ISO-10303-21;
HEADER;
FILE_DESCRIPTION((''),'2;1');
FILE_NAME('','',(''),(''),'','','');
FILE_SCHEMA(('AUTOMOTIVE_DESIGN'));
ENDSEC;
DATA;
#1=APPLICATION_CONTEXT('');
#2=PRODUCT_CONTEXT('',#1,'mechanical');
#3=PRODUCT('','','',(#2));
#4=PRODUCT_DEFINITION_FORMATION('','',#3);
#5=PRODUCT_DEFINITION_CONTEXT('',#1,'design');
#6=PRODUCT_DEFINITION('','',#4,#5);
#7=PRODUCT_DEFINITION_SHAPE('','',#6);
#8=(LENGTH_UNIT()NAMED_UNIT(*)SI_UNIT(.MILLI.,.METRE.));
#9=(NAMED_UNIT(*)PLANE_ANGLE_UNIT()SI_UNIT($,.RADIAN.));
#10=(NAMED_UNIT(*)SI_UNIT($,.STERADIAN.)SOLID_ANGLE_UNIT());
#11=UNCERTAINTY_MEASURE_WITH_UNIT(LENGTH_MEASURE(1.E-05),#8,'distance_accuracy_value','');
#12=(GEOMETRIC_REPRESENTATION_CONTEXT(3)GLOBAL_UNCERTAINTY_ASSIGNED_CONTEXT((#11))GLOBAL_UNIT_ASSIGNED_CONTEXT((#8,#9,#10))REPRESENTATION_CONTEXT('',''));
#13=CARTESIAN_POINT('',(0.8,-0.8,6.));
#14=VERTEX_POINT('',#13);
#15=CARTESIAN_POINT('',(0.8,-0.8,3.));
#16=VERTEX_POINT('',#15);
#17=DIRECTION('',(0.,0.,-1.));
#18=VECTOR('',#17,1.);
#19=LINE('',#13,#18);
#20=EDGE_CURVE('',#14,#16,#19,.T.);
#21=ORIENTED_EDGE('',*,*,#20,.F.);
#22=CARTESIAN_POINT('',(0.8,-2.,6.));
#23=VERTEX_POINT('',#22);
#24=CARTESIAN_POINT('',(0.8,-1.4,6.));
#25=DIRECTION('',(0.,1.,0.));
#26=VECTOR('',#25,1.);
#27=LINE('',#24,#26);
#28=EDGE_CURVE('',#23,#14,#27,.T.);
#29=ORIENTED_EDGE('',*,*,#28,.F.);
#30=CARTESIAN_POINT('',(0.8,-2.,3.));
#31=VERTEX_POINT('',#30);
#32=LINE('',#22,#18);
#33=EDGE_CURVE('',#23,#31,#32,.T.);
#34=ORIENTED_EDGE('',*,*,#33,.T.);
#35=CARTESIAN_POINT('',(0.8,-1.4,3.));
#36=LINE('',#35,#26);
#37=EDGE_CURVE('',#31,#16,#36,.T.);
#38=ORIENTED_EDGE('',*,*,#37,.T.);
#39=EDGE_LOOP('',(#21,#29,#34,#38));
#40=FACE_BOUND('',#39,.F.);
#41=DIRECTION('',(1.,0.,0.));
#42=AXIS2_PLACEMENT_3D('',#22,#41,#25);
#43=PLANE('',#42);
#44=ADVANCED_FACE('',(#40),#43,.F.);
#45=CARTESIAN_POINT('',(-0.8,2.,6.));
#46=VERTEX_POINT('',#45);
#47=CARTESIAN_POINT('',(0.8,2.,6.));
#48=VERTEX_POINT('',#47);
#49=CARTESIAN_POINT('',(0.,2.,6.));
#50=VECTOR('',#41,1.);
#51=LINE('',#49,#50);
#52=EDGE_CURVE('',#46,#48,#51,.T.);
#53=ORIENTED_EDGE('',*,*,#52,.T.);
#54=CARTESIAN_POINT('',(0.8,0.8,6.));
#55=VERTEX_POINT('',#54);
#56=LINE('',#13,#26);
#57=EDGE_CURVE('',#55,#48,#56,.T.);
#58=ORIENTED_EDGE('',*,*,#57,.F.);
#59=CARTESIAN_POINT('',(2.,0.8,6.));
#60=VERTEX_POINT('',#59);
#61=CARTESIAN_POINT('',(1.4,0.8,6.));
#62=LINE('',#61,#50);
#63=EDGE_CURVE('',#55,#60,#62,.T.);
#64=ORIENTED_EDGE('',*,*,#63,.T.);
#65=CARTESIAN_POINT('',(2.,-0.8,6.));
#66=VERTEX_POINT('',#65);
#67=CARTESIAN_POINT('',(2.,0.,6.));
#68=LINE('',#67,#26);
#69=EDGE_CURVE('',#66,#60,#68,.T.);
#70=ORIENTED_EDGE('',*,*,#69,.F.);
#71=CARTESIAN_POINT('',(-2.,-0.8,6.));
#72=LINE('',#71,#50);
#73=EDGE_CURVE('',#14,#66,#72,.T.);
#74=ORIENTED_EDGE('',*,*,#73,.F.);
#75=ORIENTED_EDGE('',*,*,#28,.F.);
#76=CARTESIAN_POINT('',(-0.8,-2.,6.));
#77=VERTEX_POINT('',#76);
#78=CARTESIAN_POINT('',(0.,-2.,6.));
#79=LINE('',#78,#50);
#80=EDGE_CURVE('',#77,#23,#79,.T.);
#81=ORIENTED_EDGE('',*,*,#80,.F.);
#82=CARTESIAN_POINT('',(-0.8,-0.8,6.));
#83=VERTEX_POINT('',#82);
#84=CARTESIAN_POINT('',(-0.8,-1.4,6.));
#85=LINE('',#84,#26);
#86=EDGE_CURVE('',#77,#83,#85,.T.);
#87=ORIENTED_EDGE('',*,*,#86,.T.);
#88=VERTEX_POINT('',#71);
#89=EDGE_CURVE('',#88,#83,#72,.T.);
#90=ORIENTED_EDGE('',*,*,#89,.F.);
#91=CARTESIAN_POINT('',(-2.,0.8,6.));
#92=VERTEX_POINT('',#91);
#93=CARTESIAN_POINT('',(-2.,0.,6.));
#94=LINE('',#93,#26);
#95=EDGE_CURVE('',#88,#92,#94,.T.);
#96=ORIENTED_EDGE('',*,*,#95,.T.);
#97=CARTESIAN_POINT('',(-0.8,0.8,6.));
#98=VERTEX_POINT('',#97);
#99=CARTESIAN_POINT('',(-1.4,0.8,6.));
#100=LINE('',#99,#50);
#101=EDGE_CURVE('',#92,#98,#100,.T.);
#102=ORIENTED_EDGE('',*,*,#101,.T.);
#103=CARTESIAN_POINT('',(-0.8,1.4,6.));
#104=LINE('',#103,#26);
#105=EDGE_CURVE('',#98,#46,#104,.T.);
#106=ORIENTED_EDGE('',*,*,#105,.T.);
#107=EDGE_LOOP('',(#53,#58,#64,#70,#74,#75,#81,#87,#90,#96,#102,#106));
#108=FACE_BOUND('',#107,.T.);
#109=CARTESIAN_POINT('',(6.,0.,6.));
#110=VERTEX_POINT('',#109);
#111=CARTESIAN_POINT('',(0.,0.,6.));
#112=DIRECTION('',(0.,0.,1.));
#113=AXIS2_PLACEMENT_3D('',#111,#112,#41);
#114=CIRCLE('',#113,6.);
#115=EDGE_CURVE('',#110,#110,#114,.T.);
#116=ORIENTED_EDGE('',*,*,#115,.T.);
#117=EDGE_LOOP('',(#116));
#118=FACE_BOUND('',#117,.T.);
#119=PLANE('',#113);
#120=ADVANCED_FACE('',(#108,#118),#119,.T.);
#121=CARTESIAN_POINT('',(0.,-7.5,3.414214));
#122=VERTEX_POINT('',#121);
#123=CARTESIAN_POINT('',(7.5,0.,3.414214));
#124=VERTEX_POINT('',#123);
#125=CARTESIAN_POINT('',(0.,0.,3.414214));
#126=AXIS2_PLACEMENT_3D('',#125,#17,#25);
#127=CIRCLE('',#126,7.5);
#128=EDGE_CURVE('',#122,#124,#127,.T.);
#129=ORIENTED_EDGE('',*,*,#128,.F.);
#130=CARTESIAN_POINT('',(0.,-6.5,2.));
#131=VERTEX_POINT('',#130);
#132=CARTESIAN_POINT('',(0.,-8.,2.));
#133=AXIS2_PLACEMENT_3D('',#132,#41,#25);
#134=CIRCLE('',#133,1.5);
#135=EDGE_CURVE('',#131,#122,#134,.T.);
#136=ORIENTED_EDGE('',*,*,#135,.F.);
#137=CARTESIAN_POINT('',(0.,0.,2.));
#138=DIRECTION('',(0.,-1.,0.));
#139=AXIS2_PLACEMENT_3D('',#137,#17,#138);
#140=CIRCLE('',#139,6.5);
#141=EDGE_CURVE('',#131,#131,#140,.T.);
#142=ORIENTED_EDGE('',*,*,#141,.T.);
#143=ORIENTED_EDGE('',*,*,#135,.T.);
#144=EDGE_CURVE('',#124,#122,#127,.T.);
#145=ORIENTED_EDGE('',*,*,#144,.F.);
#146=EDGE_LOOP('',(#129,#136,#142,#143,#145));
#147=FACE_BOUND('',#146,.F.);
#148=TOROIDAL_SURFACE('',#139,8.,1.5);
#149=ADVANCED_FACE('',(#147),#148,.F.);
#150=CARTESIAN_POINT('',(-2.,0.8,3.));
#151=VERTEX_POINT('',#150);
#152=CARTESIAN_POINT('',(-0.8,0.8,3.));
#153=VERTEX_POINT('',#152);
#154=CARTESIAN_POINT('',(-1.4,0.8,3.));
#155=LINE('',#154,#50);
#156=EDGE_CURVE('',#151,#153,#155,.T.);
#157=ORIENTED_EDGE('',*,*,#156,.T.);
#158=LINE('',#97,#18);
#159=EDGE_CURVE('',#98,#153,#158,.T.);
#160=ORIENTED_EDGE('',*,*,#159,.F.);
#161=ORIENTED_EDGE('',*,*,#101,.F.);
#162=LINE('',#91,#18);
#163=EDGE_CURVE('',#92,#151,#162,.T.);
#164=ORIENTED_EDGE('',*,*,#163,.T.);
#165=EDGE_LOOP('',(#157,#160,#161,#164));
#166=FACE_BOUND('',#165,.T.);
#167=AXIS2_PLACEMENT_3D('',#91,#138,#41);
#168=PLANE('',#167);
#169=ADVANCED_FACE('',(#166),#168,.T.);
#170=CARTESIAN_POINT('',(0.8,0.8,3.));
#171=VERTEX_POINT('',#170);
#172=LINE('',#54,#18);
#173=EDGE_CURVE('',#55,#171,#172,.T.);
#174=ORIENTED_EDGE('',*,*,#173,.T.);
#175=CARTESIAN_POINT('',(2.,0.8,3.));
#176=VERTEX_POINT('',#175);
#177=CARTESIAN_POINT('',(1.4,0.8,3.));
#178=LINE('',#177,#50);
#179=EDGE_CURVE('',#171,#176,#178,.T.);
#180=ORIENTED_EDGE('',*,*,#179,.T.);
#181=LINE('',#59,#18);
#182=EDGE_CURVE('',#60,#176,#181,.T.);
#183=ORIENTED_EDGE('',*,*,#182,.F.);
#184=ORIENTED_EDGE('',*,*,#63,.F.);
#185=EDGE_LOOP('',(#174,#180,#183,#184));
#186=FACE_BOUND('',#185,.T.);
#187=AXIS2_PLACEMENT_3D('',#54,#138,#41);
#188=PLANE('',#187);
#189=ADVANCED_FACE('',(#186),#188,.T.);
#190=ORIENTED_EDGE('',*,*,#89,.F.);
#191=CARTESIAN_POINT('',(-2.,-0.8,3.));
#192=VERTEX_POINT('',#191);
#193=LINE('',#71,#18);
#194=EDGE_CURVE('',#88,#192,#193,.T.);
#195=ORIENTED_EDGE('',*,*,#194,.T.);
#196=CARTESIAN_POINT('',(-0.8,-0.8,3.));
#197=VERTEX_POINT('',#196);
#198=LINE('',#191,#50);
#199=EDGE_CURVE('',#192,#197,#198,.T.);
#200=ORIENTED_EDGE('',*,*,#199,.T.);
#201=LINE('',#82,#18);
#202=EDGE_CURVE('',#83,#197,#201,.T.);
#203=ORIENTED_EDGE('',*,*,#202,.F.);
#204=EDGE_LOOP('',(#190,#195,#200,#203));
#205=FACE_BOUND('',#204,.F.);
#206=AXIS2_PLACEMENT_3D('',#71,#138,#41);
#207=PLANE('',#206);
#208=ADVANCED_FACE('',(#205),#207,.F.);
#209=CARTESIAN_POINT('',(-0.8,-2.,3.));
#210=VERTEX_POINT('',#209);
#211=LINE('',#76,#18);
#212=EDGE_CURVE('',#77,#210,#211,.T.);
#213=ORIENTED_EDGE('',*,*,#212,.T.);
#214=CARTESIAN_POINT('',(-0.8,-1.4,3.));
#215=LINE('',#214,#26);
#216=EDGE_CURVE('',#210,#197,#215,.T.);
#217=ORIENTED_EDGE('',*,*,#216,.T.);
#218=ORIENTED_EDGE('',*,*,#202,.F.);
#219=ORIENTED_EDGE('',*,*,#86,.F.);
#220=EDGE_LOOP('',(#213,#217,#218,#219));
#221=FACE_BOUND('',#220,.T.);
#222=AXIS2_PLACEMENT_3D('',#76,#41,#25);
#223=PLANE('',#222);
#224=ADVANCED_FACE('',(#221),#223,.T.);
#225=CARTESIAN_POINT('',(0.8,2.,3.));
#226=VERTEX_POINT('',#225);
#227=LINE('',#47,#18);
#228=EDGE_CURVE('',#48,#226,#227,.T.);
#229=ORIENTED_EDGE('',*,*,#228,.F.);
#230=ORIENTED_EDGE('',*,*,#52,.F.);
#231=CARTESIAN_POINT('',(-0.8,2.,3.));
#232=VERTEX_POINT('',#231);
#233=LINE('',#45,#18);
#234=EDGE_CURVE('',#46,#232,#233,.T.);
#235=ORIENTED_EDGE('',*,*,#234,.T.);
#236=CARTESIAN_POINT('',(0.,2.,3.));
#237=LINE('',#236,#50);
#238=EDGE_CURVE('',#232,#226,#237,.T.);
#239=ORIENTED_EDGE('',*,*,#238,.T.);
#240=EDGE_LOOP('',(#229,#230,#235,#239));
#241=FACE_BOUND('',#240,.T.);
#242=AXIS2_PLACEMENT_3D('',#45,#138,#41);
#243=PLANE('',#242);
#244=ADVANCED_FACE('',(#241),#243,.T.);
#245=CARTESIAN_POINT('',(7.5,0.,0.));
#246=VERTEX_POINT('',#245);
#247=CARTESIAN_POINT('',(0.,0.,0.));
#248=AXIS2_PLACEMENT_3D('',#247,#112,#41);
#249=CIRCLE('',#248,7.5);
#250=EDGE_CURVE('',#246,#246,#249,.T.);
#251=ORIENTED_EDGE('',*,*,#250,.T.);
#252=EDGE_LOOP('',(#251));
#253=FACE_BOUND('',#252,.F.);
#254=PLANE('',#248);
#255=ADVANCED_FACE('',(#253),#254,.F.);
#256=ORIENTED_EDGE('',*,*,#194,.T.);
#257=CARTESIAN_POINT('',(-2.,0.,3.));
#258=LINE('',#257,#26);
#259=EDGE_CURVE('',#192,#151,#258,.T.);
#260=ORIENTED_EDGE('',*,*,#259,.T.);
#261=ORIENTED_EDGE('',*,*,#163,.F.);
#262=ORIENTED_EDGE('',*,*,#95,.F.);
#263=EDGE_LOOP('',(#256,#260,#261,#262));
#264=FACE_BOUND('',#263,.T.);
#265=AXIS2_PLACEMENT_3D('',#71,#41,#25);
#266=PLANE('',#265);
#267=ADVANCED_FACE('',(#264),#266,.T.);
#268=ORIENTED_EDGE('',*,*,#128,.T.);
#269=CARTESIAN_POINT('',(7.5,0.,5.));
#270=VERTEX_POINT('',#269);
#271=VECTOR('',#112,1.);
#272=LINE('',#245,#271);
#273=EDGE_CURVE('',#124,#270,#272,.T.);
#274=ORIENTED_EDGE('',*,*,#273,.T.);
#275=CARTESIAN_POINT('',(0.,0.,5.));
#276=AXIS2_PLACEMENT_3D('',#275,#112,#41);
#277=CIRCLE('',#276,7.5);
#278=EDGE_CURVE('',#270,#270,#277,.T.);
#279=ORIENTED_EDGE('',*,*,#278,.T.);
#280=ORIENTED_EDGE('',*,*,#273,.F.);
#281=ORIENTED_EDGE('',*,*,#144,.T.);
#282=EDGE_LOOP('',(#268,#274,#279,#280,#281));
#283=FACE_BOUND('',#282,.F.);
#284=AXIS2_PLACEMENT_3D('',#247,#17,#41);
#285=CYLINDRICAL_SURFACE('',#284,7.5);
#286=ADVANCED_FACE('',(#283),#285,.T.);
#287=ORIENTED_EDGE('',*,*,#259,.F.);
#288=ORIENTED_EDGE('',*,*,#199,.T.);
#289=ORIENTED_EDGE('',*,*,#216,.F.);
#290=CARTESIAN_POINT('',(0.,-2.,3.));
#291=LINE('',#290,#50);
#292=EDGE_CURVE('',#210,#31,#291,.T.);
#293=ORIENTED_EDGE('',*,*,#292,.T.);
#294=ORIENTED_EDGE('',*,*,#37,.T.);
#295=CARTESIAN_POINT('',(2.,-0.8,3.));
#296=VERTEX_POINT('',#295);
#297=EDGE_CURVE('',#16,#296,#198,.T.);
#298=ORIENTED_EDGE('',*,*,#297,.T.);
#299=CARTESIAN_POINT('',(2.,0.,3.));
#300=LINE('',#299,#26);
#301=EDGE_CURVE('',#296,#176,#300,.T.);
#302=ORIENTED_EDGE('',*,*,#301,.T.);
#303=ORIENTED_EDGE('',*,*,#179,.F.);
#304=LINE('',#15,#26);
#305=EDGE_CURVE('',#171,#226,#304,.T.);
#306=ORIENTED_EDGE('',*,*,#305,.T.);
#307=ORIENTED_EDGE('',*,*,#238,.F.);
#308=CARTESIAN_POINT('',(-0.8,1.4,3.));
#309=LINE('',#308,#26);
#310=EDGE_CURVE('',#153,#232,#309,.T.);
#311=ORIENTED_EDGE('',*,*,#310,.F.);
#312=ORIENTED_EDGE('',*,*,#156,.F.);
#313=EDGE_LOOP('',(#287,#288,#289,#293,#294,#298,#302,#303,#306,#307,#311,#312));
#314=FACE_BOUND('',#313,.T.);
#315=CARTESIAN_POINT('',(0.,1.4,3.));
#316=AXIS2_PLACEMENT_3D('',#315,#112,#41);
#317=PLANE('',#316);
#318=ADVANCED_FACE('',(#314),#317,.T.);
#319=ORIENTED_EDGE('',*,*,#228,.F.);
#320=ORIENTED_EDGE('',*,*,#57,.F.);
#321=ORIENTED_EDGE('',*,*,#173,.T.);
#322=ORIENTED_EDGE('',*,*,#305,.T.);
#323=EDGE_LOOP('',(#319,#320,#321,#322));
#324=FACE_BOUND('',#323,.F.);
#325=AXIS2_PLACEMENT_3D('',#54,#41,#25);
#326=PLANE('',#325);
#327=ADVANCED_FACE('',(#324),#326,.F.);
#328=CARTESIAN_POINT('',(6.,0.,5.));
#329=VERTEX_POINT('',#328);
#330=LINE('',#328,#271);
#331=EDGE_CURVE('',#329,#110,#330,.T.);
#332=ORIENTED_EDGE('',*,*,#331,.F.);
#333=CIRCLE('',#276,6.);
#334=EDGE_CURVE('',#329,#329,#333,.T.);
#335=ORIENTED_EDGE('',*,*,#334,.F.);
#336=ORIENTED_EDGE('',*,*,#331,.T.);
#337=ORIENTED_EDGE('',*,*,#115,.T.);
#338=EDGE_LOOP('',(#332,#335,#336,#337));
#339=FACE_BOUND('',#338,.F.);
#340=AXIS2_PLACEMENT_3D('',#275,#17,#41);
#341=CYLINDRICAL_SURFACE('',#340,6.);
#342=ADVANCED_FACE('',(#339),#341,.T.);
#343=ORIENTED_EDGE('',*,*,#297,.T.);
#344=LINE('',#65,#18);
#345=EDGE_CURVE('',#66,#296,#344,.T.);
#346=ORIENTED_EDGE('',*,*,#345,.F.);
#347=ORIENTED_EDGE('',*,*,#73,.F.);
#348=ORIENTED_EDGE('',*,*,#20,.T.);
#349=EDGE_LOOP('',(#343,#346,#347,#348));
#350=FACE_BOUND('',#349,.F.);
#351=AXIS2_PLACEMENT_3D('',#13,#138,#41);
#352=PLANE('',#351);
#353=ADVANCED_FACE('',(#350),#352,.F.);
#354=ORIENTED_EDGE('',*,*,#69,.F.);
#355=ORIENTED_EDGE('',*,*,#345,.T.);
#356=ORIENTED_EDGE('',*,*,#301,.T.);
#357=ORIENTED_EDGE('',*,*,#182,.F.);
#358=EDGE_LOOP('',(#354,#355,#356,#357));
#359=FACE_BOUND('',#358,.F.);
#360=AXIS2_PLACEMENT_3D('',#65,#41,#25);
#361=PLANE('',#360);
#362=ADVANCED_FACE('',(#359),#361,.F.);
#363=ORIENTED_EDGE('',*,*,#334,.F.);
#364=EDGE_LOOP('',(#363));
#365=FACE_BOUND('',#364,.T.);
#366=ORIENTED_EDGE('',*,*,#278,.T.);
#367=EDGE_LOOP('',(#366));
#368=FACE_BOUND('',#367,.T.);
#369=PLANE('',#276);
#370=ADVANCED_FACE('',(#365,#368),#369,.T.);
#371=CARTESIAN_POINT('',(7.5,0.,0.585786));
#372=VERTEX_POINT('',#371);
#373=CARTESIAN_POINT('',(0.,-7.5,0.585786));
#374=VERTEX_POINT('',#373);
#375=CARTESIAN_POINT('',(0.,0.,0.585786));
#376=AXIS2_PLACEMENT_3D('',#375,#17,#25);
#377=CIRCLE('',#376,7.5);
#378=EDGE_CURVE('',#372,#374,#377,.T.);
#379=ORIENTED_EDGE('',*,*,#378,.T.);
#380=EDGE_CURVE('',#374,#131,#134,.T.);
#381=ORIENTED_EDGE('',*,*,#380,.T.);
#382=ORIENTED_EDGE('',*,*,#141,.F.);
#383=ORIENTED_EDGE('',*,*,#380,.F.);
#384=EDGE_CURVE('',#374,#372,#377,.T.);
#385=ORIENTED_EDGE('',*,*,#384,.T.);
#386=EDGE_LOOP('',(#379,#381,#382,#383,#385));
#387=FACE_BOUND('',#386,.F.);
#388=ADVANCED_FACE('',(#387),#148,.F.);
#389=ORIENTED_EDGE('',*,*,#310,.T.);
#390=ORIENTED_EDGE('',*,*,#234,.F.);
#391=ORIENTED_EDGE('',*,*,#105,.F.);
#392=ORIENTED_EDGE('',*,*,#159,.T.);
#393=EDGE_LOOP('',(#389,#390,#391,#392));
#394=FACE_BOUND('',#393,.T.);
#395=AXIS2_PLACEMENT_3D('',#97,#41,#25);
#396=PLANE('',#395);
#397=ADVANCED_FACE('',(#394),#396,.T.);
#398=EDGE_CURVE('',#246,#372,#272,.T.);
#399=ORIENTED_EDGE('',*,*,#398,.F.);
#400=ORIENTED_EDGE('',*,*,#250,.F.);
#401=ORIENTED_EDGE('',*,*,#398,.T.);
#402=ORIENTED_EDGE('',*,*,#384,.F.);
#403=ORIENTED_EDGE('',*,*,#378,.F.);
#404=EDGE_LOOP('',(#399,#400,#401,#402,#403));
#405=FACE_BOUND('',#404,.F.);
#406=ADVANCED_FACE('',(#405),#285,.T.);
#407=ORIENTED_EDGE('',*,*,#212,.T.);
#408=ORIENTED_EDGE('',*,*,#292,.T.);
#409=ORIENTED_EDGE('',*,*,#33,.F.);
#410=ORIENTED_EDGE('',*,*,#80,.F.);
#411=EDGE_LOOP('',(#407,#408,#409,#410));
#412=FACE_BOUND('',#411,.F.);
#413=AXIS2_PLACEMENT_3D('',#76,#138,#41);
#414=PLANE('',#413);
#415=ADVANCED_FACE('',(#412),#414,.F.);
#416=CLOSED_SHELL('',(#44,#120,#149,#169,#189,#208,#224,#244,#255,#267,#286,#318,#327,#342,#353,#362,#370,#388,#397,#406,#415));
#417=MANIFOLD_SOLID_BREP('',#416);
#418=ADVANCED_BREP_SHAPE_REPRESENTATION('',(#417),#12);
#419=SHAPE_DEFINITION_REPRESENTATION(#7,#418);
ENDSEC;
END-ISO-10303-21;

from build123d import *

# Parameters (mm, degrees)
F0_R     = 7.5
F1_DEPTH = 5
F2_R     = 6
F3_DEPTH = 1
F4_W     = 1.6
F4_H     = 1.2
F4_W_2   = 1.2
F4_H_2   = 1.6
F5_DEPTH = 3
F7_R     = 1.5


with BuildPart() as f1:
    # F0 (on Top) → F1 (new body)
    with BuildSketch(Plane.XY):
        Circle(F0_R)
    extrude(amount=F1_DEPTH)

    # F2 (on face) → F3 (join)
    with BuildSketch(Plane.XY.offset(5)):
        Circle(F2_R)
    extrude(amount=F3_DEPTH)

    # F4 (on face) → F5 (cut)
    with BuildSketch(Plane.XY.offset(6)):
        with Locations((0, 1.4)):
            Rectangle(F4_W, F4_H)
        with Locations((-1.4, 0)):
            Rectangle(F4_W_2, F4_H_2)
        Rectangle(F4_W, F4_H_2)
        with Locations((1.4, 0)):
            Rectangle(F4_W_2, F4_H_2)
        with Locations((0, -1.4)):
            Rectangle(F4_W, F4_H)
    extrude(amount=-F5_DEPTH, mode=Mode.SUBTRACT)

    # F7 (on Right) → F8 (revolve, cut)
    with BuildSketch(Plane.YZ):
        with Locations((-8, 2)):
            Circle(F7_R)
    revolve(axis=Axis((0, 0, 2.2380100563), (0, 0, -1)), mode=Mode.SUBTRACT)


solid = f1.part
